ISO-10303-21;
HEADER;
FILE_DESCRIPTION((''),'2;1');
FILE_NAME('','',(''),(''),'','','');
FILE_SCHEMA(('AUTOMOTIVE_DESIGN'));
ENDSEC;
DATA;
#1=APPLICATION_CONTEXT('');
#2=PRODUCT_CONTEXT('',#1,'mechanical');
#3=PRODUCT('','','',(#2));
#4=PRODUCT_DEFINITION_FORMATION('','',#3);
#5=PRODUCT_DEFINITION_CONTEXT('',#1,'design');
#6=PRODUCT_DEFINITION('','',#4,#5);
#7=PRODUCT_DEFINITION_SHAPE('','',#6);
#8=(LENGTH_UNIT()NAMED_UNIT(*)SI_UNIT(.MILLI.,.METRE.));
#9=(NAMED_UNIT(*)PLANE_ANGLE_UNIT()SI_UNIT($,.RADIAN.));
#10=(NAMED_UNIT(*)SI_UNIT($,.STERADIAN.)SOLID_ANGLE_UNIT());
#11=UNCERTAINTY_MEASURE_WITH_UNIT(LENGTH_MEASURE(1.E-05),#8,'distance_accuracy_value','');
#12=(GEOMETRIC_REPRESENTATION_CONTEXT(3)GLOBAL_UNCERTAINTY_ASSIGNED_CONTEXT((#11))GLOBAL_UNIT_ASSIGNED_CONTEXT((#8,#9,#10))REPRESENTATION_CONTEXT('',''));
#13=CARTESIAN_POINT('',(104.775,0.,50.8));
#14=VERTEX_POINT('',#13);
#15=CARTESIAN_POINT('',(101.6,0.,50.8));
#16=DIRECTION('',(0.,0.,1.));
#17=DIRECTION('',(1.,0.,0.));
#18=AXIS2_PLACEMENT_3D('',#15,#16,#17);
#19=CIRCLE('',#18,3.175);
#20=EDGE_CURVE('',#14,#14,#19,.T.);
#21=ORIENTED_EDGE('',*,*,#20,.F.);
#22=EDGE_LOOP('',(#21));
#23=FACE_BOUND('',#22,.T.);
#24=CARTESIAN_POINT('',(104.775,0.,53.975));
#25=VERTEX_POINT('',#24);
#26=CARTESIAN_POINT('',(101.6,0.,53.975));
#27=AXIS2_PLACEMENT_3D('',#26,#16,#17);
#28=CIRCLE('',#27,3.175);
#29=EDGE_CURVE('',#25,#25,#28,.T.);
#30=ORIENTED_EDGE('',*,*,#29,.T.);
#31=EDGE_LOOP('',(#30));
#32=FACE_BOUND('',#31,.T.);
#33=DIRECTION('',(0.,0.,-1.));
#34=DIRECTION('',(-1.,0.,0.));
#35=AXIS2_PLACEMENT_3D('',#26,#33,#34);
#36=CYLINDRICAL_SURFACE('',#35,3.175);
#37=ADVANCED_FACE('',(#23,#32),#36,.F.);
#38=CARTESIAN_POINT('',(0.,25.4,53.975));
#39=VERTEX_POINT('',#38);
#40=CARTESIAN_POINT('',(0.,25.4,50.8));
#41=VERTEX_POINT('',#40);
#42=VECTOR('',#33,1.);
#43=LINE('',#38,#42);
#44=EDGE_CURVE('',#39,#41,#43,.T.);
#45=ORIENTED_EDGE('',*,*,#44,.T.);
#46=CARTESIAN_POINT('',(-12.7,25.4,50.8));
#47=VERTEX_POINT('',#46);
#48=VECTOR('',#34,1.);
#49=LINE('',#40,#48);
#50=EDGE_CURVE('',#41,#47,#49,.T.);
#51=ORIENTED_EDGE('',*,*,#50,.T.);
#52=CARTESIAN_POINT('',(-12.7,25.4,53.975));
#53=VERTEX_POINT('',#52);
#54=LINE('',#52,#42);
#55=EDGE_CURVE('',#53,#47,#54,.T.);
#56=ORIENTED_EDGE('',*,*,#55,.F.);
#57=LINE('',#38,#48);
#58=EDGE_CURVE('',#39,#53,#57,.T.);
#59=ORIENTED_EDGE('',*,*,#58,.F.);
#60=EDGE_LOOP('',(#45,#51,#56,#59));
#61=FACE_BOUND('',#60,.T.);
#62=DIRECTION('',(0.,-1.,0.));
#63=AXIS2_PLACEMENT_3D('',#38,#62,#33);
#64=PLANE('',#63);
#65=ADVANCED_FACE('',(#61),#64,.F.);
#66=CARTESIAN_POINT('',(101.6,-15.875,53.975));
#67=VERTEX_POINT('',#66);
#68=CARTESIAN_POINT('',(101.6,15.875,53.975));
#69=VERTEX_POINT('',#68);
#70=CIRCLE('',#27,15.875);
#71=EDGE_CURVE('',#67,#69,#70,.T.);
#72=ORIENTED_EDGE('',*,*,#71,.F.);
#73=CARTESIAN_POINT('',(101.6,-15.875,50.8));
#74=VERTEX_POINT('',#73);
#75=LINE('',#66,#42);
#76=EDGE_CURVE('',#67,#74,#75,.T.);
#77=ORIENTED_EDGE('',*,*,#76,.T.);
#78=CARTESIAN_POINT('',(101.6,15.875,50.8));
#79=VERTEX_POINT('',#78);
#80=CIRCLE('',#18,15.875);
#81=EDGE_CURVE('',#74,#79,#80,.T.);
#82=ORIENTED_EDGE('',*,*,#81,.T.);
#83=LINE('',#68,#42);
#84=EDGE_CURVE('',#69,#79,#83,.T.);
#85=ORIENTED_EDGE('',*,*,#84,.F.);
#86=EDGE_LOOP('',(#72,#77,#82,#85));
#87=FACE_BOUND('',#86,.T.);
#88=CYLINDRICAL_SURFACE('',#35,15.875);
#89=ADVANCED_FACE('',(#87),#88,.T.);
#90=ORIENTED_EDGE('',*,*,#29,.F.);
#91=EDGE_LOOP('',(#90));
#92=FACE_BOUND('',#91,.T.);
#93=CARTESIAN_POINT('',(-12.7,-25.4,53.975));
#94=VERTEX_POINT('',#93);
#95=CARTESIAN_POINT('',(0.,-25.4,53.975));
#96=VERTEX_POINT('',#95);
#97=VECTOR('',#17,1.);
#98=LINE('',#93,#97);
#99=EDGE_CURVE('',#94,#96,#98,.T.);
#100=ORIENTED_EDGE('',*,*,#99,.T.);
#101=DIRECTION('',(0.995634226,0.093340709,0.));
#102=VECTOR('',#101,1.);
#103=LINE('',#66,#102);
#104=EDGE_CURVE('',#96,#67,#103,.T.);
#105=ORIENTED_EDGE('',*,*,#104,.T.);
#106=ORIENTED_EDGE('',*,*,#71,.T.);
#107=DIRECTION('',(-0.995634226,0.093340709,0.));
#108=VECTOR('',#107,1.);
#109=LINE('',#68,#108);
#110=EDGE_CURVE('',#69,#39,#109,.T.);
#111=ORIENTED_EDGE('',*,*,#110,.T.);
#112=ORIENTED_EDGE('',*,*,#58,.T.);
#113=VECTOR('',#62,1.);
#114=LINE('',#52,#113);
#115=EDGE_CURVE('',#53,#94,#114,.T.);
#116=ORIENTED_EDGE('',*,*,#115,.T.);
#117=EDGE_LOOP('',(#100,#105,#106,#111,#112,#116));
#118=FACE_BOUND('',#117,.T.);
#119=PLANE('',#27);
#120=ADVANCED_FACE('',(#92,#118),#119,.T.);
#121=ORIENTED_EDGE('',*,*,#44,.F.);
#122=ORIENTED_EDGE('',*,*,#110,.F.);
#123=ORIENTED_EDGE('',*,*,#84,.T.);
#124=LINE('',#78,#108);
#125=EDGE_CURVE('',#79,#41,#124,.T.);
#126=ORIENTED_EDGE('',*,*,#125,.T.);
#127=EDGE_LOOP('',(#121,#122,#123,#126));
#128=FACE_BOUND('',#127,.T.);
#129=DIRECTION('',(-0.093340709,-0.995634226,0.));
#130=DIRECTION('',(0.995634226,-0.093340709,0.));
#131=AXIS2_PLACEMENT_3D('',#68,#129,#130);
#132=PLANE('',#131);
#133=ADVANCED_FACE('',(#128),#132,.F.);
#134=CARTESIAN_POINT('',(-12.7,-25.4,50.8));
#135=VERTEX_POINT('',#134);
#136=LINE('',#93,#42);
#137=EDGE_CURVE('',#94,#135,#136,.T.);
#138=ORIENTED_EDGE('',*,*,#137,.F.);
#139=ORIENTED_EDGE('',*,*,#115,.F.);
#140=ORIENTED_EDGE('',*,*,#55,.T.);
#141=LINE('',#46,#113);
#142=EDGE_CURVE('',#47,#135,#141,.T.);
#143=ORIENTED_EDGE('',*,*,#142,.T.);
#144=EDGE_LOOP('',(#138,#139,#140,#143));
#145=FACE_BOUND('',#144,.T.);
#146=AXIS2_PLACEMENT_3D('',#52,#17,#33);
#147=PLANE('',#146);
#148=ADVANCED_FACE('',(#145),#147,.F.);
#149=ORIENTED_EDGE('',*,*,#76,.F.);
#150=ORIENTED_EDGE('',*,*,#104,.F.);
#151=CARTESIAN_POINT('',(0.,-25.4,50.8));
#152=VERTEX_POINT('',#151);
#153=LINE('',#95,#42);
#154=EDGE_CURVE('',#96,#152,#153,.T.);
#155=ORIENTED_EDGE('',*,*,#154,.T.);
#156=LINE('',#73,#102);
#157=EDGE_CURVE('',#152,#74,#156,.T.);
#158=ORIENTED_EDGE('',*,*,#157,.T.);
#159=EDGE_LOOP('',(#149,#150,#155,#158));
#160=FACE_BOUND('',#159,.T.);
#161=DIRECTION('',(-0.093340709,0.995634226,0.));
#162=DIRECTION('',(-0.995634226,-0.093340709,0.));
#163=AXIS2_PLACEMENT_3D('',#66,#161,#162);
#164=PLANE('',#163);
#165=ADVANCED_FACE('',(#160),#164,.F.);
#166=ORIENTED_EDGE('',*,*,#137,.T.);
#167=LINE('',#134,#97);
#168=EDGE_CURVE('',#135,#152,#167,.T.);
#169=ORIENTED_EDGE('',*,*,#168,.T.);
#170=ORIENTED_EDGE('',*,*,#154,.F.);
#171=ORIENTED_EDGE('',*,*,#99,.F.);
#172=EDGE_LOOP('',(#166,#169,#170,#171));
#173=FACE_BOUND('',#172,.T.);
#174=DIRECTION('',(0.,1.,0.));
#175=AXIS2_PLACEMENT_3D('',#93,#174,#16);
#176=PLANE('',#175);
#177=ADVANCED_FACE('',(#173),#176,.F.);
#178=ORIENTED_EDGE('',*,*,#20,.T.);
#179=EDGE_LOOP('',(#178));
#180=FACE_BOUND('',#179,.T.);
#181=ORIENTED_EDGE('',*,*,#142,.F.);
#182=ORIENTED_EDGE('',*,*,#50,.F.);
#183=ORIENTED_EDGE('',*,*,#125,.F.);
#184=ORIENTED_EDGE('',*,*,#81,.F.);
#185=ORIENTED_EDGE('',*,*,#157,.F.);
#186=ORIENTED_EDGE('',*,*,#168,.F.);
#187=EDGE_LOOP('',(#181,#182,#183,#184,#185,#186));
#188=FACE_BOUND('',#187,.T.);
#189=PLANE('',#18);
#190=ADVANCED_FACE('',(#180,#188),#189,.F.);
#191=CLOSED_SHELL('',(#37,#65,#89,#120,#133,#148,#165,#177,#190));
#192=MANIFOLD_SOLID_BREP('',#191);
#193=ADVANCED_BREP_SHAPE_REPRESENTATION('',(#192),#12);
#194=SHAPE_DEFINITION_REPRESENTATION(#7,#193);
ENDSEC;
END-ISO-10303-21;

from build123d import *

# Parameters (mm, degrees)
SKETCH1_R           = 3.175
BOSS_EXTRUDE1_DEPTH = 3.175


with BuildPart() as part:
    # Sketch1 → Boss-Extrude1 (new body)
    with BuildSketch(Plane.XY.offset(50.8)):
        with BuildLine():
            Line((101.6, 15.875), (0, 25.4))
            Line((0, 25.4), (-12.7, 25.4))
            Line((-12.7, 25.4), (-12.7, -25.4))
            Line((-12.7, -25.4), (0, -25.4))
            Line((0, -25.4), (101.6, -15.875))
            ThreePointArc((101.6, -15.875), (117.475, 0), (101.6, 15.875))
        make_face()
        with Locations((101.6, 0)):
            Circle(SKETCH1_R, mode=Mode.SUBTRACT)
    extrude(amount=BOSS_EXTRUDE1_DEPTH)


solid = part.part
